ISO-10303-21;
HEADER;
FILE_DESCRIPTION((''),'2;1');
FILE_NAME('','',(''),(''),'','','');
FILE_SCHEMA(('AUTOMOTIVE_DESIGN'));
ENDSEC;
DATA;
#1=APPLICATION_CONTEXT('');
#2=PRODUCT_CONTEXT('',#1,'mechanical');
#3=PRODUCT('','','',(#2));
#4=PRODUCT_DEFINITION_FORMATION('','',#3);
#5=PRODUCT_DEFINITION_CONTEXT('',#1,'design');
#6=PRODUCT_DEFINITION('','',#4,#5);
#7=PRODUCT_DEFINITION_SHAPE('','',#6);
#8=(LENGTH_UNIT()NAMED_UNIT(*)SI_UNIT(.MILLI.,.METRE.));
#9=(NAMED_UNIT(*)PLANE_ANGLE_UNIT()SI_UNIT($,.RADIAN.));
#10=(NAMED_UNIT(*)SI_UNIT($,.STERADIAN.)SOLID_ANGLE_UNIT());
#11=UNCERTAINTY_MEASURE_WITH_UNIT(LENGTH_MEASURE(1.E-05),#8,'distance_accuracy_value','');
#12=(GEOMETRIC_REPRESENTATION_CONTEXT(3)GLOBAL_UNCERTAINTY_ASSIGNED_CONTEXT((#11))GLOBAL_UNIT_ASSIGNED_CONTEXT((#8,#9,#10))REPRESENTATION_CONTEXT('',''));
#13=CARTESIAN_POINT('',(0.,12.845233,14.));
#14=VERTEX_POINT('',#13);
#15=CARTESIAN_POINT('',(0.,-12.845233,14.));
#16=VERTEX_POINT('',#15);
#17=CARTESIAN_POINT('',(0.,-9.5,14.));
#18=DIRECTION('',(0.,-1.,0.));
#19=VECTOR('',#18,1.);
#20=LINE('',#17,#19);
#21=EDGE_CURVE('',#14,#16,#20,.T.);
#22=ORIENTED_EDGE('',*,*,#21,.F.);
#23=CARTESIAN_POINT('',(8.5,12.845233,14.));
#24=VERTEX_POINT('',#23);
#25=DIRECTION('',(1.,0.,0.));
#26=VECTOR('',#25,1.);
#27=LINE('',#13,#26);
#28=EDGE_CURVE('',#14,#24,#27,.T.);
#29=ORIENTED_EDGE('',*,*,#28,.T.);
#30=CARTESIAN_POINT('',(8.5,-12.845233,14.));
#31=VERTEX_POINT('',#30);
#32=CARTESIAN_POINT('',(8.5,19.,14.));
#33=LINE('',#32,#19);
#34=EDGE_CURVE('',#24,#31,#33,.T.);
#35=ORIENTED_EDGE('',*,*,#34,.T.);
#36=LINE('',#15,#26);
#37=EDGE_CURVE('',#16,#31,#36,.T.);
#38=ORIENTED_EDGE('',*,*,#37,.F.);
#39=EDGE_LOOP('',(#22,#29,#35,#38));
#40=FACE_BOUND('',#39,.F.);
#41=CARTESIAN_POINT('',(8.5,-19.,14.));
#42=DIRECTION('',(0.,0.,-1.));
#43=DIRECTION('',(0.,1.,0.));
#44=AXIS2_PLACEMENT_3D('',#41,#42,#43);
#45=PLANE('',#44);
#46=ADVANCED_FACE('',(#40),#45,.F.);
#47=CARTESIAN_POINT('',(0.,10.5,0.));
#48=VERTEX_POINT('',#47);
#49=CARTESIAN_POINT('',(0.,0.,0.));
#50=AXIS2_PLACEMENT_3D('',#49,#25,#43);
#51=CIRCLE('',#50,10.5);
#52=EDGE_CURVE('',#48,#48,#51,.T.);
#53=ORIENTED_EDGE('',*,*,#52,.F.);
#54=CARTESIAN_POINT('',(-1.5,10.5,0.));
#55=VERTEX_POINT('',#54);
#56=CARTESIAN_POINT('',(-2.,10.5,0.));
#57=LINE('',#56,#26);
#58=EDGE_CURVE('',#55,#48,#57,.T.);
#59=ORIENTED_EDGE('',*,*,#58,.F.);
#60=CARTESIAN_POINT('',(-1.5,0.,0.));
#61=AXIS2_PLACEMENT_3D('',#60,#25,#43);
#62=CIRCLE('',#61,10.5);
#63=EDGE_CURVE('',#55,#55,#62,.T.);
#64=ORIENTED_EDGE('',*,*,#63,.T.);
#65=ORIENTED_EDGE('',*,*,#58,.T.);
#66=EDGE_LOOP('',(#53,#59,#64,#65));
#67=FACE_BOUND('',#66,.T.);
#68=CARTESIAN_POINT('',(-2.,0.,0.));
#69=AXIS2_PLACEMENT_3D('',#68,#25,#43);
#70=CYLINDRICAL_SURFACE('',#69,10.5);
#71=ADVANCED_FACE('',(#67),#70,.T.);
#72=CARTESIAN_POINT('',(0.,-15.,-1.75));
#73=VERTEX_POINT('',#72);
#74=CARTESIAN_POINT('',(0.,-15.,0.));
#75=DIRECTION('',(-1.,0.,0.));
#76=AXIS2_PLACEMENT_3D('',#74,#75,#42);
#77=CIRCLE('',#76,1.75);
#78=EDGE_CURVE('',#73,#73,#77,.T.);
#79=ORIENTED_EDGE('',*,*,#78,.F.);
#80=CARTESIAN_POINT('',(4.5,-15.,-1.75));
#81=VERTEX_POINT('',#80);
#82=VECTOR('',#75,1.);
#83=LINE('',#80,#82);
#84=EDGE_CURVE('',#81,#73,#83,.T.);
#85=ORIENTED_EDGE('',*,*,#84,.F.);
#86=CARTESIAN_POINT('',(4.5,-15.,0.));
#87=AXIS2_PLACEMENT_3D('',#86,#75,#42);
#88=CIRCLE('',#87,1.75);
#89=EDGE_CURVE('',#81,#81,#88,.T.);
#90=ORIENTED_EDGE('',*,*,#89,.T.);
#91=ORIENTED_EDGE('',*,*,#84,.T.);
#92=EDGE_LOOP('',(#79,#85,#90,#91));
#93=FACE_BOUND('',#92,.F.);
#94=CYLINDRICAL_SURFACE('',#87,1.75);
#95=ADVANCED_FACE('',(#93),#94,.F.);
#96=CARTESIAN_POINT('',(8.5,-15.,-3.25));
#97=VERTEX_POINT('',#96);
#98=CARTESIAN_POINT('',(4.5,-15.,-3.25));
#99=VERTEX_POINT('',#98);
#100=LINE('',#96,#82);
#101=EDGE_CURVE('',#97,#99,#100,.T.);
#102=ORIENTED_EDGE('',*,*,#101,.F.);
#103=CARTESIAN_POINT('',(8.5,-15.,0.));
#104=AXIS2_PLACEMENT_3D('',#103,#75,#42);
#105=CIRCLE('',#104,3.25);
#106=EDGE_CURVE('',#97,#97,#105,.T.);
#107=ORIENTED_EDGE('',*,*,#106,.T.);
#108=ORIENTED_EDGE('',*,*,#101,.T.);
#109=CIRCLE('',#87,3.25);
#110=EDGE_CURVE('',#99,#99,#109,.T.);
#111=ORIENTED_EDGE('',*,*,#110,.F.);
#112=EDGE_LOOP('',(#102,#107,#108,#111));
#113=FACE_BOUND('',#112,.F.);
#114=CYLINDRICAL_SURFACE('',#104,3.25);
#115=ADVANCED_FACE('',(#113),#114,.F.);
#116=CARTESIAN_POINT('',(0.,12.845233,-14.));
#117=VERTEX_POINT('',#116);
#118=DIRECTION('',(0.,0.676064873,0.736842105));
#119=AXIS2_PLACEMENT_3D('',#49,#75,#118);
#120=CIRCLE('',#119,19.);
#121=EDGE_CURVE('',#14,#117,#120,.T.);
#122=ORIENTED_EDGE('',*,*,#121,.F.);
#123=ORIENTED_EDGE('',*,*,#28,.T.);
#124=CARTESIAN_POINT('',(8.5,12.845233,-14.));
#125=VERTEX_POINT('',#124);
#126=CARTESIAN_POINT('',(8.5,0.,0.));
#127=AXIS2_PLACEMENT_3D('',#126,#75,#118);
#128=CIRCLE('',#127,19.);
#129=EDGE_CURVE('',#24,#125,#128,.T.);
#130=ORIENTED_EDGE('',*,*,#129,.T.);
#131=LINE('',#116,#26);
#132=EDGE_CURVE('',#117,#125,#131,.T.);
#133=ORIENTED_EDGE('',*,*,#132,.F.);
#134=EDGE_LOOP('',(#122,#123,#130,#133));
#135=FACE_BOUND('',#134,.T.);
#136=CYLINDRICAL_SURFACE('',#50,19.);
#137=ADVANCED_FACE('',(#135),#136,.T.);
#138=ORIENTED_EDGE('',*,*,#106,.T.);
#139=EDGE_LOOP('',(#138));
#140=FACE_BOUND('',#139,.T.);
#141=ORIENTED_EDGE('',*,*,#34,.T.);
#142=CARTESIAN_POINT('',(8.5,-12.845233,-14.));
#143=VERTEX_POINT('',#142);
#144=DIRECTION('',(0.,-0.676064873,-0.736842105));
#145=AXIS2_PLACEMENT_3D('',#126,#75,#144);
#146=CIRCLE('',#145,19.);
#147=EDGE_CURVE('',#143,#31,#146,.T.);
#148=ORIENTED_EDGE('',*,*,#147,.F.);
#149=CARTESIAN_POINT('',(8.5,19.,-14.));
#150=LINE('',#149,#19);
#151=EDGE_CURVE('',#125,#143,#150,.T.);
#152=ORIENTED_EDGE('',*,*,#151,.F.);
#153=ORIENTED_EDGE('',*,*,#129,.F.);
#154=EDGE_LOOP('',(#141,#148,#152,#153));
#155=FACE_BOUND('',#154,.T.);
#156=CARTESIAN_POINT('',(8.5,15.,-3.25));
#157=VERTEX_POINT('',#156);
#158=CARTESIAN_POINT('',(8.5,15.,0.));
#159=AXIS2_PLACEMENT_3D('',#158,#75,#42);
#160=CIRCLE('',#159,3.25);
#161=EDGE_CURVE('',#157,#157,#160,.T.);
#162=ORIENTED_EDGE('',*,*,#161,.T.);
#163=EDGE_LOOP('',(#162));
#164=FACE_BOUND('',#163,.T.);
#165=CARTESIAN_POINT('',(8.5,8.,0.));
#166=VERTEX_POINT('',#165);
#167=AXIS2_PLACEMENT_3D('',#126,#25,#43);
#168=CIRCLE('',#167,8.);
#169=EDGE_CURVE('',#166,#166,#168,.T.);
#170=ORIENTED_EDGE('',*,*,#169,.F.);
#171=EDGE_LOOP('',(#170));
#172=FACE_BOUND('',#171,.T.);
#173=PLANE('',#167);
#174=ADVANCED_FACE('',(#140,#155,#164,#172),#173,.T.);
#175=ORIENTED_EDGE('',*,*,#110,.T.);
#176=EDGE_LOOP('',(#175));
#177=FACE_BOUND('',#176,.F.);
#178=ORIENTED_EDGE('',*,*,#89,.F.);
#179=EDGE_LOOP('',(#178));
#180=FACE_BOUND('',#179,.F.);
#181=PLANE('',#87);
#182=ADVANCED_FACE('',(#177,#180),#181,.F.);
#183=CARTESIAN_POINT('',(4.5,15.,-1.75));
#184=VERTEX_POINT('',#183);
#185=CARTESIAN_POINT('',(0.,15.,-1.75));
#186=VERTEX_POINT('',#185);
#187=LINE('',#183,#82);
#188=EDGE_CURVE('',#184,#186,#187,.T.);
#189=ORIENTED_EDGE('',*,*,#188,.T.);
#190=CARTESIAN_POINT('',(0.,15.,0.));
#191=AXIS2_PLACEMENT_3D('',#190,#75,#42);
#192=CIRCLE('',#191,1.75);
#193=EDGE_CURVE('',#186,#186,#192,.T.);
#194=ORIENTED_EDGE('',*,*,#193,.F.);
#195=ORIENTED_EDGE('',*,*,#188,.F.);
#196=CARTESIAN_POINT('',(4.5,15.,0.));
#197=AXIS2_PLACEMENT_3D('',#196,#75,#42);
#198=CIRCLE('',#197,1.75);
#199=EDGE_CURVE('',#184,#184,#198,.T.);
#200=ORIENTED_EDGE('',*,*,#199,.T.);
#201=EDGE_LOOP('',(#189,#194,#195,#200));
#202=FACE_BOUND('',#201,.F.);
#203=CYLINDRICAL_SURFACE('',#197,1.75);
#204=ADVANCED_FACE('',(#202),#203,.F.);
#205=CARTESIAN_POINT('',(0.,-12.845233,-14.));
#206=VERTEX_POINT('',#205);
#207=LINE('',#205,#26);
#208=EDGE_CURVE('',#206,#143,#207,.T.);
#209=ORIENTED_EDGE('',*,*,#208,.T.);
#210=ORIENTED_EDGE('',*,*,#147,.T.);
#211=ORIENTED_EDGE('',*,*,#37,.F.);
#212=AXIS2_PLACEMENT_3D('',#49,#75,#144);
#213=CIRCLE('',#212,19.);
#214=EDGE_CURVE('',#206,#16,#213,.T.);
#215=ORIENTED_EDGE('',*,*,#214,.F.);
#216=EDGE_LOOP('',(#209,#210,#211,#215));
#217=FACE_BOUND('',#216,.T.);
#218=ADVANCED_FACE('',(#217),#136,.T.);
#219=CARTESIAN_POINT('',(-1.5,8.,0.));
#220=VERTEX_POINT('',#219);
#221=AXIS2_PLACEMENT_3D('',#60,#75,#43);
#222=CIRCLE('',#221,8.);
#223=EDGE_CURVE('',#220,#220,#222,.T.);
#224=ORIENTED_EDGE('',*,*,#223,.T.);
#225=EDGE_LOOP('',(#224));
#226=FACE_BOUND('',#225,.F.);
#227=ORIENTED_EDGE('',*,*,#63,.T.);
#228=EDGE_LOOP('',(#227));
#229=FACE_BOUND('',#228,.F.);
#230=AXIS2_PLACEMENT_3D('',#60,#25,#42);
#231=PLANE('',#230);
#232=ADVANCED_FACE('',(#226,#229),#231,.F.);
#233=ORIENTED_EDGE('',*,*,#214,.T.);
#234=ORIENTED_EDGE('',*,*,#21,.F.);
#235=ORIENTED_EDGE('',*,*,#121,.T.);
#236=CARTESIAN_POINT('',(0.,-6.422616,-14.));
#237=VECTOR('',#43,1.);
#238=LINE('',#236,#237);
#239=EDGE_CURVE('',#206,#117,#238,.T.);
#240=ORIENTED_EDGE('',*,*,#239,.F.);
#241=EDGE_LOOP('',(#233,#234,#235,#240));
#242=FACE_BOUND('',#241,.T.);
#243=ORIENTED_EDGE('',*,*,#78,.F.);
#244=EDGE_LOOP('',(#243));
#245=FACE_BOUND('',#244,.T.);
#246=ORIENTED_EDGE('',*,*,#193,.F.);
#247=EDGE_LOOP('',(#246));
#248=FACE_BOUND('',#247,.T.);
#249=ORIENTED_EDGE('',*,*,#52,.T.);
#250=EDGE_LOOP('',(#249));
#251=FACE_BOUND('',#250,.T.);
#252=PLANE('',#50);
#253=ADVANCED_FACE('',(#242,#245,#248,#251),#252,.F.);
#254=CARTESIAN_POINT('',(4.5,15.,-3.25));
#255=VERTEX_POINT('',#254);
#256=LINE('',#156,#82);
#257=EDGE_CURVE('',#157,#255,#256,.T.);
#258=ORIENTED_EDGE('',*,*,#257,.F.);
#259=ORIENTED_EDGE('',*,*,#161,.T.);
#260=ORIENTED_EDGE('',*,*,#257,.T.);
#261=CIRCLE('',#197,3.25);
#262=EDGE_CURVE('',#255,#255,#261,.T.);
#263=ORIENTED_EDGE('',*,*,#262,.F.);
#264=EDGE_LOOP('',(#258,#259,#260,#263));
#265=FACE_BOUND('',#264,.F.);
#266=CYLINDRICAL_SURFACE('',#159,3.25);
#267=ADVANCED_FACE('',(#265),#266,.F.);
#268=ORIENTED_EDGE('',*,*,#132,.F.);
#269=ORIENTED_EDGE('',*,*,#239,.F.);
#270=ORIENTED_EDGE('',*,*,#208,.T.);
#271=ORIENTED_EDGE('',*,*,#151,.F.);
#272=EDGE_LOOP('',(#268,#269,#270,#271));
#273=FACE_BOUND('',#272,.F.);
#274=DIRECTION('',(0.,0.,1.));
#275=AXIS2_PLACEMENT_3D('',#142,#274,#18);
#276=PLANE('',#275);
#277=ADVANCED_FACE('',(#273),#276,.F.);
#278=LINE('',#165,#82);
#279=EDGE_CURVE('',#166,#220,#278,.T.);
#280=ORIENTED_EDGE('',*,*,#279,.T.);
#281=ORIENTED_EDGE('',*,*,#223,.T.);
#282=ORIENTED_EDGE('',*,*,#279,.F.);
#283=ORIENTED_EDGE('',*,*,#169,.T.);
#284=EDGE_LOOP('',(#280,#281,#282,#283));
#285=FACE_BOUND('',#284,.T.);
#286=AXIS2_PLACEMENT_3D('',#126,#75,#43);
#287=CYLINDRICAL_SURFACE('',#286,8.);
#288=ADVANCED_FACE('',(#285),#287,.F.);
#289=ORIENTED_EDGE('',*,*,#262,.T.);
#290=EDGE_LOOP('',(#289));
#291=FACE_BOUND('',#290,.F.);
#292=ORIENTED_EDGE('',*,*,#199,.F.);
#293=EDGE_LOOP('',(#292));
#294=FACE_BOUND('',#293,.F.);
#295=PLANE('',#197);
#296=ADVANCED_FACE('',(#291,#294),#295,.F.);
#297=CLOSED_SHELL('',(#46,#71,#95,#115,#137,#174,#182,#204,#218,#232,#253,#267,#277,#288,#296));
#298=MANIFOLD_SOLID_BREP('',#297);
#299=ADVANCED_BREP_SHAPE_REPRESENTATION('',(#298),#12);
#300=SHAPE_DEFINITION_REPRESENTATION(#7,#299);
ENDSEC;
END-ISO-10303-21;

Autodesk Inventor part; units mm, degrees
ref_plane "YZ Plane" through (0, 0, 0) normal (1, 0, 0) x (0, 1, 0)
ref_plane "XZ Plane" through (0, 0, 0) normal (0, 1, 0) x (-1, 0, 0)
ref_plane "XY Plane" through (0, 0, 0) normal (0, 0, 1) x (1, 0, 0)
sketch "Sketch1" plane through (0, 0, 0) normal (0, 0, 1) x (1, 0, 0)
  line L0 (-2, 10.5) -> (0, 10.5)
  line L1 (0, 10.5) -> (0, 19)
  line L2 (0, 19) -> (8.5, 19)
  line L3 (8.5, 19) -> (8.5, 8)
  line L4 (8.5, 8) -> (-2, 8)
  line L5 (-2, 8) -> (-2, 10.5)
  line L6 (-3.774, 0) -> (9.2238, 0)
  point P0 (0, 0)
  dimension "d0" = 38
  dimension "d1" = 8.5
  dimension "d2" = 10.5
  dimension "d3" = 16
  dimension "d4" = 21
revolve "Revolution1" add sketch "Sketch1" angle 360 about axis through (-3.774, 0, 0) along (1, 0, 0)
sketch "Sketch2" plane through (8.5, 0, 0) normal (1, 0, 0) x (0, 0, -1)
  line L0 (14, -19) -> (-14, -19)
  line L1 (-14, -19) -> (-14, 19)
  line L2 (-14, 19) -> (14, 19)
  line L3 (14, 19) -> (14, -19)
  line L4 (14, -19) -> (-14, 19) construction
  line L5 (-14, -19) -> (14, 19) construction
  circle A0 centre (0, 0) radius 19 projected
  dimension "d6" = 28
extrude "Extrusion1" cut sketch "Sketch2" against normal blind 10 contours L0 A0 L3 | L0 L1 A0 | A0 L1 L3 | A0 L2 L3 | L1 L2 A0 keep common part
sketch "Sketch3" plane through (8.5, -12.8452, 14) normal (1, 0, 0) x (0, 0, -1)
  point P0 (14, 12.8452)
  point P1 (14, -2.1548)
  point P2 (14, 27.8452)
  dimension "d9" = 30
  dimension "d10" = 15
hole "Hole1" at (8.5, -15, 0) at (8.5, 15, 0) direction (-1, 0, 0) diameter 3.5 end through all counterbore diameter 6.5 counterbore depth 4
equation "\"d10\" = 0.5 * d9"
properties part number "Endpuffer" material "PMMA Plastic"
